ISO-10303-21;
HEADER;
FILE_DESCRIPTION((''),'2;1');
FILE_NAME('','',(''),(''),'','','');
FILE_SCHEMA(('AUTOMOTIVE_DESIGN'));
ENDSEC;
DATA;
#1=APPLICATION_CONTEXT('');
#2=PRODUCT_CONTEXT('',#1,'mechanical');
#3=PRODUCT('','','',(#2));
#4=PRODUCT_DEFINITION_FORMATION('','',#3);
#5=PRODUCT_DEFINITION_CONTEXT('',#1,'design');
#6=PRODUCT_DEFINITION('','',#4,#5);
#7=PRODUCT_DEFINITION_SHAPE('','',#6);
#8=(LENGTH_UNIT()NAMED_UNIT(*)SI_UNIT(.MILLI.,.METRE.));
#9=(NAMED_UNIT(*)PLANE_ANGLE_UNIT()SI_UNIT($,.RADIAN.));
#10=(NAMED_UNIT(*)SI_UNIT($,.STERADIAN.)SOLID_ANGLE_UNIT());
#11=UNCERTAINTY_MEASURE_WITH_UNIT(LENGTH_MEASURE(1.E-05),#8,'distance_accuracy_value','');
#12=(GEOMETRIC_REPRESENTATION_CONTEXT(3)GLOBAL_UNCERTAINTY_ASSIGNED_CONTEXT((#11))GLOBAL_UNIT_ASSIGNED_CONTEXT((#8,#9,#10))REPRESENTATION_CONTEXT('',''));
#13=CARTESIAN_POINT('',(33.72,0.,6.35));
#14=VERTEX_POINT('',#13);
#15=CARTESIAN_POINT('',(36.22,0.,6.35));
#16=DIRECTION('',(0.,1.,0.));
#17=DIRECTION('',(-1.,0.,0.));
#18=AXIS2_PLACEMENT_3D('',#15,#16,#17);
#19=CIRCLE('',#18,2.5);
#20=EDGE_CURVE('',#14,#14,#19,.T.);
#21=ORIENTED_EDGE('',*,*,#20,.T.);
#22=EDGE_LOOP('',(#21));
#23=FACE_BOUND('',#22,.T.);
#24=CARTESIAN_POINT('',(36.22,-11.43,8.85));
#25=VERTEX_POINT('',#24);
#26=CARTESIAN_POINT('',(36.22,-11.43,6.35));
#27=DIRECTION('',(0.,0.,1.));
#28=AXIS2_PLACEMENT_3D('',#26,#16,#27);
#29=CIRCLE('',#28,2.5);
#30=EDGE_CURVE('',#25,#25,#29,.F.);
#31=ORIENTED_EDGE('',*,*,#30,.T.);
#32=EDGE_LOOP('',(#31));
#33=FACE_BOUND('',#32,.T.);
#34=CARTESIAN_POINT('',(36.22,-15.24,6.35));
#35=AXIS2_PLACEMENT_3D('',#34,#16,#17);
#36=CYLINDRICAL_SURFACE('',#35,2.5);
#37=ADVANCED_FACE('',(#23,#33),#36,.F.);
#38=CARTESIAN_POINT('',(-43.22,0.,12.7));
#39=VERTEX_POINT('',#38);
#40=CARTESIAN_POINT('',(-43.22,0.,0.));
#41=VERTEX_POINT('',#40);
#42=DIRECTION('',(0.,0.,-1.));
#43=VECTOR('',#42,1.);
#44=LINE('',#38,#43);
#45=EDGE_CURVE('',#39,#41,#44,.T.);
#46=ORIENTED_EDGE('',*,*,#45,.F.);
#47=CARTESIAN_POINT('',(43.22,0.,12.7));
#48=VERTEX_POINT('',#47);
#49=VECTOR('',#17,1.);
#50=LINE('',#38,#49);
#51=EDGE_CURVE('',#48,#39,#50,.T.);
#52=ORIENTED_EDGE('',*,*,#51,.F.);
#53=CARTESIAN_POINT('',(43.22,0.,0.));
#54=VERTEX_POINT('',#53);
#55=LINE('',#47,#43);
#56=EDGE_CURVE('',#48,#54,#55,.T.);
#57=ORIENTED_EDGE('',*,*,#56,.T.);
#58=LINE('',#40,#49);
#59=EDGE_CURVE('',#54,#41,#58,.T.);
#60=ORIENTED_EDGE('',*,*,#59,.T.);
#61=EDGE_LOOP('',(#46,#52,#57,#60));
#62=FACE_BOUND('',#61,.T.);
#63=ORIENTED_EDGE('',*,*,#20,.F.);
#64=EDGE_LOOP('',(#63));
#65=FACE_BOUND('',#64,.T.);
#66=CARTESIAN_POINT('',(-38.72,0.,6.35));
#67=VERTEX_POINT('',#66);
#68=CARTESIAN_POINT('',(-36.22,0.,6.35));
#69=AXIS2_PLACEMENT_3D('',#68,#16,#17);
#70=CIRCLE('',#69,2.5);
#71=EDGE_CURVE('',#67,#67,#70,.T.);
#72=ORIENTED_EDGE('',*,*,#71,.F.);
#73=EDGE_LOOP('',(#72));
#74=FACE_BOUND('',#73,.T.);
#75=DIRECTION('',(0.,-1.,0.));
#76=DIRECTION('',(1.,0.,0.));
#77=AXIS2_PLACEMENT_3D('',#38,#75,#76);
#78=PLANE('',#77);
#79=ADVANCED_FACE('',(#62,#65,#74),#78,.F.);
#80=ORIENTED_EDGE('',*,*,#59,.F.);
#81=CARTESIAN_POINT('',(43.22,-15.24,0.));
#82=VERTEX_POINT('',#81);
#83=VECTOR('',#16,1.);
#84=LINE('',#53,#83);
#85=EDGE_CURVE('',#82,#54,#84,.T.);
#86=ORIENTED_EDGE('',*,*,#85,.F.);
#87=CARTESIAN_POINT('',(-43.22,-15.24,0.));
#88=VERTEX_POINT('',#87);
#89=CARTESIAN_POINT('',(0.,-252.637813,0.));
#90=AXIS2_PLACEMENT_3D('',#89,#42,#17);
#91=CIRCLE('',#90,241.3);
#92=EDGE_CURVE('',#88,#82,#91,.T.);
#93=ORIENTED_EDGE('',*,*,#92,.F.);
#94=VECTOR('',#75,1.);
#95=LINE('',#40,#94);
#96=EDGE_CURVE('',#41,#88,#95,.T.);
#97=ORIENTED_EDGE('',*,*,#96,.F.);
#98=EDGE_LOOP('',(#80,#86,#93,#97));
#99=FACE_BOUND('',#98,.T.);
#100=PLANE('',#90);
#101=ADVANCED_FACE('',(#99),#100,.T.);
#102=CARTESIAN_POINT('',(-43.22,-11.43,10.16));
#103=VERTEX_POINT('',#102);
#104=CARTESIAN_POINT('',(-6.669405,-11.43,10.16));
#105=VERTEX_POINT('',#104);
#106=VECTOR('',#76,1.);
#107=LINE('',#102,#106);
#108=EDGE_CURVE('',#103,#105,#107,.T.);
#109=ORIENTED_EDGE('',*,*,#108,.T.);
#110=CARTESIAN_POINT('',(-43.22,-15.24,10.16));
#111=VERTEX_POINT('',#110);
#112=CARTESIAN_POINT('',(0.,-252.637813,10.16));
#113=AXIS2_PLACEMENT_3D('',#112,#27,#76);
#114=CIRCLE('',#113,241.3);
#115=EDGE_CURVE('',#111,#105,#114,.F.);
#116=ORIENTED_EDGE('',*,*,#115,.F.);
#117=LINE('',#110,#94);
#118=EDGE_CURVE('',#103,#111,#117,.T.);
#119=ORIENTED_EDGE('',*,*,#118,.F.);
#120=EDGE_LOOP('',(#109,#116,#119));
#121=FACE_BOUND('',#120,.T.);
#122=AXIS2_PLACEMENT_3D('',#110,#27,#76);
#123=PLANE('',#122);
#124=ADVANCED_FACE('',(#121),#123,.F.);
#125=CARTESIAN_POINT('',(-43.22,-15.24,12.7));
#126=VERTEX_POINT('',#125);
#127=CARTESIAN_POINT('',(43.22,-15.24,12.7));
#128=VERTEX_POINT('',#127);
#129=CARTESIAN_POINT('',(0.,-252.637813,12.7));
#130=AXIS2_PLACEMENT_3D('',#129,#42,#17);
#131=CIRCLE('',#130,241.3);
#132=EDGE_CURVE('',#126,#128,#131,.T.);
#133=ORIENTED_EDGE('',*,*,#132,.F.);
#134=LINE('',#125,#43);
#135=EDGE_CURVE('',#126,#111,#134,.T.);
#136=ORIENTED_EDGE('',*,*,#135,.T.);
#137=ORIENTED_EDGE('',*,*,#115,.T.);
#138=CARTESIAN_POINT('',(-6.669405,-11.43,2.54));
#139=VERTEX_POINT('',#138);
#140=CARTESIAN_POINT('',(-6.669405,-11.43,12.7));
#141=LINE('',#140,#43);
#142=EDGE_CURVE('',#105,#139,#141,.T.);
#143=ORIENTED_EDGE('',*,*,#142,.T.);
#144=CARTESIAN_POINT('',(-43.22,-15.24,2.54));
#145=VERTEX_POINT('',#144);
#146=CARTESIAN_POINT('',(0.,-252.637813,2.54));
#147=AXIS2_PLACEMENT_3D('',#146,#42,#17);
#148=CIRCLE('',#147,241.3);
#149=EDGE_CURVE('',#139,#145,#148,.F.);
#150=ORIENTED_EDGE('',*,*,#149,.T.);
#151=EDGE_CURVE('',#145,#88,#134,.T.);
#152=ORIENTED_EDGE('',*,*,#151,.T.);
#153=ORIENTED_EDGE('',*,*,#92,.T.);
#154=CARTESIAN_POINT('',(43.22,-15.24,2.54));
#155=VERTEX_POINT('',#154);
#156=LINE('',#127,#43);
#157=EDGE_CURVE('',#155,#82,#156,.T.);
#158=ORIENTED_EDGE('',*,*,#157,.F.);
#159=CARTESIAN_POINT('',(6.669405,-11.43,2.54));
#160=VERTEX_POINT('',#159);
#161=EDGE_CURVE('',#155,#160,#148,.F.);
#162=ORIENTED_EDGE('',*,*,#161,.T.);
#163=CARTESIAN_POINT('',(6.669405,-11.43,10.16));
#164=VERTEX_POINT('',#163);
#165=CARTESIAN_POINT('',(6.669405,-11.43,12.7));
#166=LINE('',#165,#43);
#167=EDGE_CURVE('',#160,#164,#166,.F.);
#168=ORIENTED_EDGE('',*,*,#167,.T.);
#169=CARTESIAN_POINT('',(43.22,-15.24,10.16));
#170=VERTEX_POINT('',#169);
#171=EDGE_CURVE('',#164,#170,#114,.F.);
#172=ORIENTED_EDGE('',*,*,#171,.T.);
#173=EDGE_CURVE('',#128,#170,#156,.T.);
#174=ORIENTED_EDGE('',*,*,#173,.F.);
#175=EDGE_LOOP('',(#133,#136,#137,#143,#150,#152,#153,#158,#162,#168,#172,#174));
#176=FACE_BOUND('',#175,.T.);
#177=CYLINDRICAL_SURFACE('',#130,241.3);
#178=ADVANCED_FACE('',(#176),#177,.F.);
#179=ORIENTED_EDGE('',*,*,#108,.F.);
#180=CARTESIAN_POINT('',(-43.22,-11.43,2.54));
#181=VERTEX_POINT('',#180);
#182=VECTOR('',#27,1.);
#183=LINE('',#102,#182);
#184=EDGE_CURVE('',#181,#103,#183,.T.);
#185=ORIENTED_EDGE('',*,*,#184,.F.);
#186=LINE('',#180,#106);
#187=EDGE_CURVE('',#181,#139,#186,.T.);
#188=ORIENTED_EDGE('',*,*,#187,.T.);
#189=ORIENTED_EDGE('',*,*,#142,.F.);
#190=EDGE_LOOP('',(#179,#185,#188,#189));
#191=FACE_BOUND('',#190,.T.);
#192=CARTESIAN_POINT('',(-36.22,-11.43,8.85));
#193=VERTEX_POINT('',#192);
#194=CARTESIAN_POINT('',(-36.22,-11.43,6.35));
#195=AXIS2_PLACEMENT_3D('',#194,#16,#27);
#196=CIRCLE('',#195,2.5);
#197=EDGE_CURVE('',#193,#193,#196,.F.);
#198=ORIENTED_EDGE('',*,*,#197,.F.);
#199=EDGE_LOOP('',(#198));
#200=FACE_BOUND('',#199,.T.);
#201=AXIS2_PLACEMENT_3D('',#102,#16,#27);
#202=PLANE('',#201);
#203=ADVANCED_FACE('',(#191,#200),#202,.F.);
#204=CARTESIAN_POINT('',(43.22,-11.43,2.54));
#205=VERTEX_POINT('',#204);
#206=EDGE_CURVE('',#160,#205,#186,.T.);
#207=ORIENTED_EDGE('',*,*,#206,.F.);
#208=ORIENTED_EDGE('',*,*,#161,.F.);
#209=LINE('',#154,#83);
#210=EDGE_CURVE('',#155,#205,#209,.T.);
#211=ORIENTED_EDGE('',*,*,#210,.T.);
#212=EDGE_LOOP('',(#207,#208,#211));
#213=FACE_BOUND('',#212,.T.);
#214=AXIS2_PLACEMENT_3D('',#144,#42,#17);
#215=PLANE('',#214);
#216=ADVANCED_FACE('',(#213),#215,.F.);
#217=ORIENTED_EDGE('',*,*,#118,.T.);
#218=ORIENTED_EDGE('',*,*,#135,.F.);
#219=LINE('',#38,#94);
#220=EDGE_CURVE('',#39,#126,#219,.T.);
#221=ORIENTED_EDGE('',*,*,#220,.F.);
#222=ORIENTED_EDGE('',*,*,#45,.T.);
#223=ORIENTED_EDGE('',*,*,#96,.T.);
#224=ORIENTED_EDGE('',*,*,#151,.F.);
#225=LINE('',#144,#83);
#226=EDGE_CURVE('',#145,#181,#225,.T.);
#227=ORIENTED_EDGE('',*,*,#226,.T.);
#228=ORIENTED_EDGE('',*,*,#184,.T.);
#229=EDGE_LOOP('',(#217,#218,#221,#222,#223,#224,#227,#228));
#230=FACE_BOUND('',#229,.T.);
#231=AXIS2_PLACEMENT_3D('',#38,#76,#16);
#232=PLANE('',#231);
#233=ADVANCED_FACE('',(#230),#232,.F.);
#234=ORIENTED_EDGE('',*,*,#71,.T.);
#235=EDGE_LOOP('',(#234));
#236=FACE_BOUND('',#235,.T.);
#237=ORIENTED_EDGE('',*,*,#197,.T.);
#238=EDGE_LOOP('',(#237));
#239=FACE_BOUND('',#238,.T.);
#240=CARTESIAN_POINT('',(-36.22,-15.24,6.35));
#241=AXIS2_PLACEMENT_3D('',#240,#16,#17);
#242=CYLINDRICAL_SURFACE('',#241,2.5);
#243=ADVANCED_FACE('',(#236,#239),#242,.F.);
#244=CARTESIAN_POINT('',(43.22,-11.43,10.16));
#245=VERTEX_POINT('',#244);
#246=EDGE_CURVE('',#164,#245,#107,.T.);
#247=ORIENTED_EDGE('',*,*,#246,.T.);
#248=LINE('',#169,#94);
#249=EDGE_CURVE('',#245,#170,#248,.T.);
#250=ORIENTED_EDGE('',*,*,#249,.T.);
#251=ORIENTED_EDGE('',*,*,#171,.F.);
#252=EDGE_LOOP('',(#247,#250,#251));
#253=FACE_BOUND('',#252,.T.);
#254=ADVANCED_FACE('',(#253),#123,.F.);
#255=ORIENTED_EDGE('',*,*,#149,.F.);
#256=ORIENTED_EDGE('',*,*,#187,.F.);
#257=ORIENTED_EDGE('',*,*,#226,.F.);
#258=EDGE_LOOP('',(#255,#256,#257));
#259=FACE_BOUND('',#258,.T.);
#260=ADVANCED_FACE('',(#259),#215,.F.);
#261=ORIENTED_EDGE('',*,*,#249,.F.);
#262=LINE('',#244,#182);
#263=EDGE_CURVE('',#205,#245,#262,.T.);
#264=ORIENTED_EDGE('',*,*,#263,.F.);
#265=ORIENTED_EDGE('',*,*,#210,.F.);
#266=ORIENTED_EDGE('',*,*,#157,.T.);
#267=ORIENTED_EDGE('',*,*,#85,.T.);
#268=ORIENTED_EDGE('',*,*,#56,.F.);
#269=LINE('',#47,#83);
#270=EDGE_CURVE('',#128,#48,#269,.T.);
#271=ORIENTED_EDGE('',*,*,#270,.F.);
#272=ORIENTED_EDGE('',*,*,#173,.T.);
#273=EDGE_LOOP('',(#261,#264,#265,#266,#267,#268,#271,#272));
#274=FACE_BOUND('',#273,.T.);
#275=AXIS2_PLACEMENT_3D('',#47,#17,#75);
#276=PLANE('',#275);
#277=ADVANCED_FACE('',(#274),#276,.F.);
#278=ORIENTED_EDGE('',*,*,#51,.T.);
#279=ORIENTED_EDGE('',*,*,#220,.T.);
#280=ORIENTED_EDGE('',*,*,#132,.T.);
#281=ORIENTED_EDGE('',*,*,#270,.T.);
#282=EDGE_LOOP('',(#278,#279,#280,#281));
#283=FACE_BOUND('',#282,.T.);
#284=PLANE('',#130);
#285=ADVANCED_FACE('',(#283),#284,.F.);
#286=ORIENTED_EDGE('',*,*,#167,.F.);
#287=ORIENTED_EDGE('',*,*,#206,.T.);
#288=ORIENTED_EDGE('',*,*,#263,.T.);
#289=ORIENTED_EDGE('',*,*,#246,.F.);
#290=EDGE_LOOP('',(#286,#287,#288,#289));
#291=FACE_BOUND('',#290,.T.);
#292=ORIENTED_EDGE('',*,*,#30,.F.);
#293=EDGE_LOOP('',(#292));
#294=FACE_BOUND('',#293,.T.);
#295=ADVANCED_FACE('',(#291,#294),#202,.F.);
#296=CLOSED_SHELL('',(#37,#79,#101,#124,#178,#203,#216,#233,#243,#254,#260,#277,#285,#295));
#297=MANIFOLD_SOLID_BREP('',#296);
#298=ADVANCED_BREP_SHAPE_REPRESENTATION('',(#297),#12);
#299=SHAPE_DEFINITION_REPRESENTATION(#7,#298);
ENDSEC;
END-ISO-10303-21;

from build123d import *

# Parameters (mm, degrees)
BOSS_EXTRUDE1_DEPTH = 12.7
SKETCH2_R           = 2.5
CUT_EXTRUDE1_DEPTH  = 16.24
SKETCH3_W           = 7.62
SKETCH3_H           = 3.81
CUT_EXTRUDE2_DEPTH  = 87.4400001


with BuildPart() as part:
    # Sketch1 → Boss-Extrude1 (new body)
    with BuildSketch(Plane.XY):
        with BuildLine():
            Line((-43.22, 0), (43.22, 0))
            Line((43.22, 0), (43.22, -15.24))
            ThreePointArc((43.22, -15.24), (0, -11.337812964), (-43.22, -15.24))
            Line((-43.22, -15.24), (-43.22, 0))
        make_face()
    extrude(amount=BOSS_EXTRUDE1_DEPTH)

    # Sketch2 → Cut-Extrude1 (cut, through all)
    with BuildSketch(Plane(origin=(0, 0, 0), x_dir=(1, 0, 0), z_dir=(0, 1, 0))):
        with Locations((-36.22, -6.35)):
            Circle(SKETCH2_R)
        with Locations((36.22, -6.35)):
            Circle(SKETCH2_R)
    extrude(amount=-CUT_EXTRUDE1_DEPTH, mode=Mode.SUBTRACT)

    # Sketch3 → Cut-Extrude2 (cut, through all)
    with BuildSketch(Plane(origin=(43.22, 0, 0), x_dir=(0, 0, -1), z_dir=(1, 0, 0))):
        with Locations((-6.35, -13.335)):
            Rectangle(SKETCH3_W, SKETCH3_H)
    extrude(amount=-CUT_EXTRUDE2_DEPTH, mode=Mode.SUBTRACT)


solid = part.part
